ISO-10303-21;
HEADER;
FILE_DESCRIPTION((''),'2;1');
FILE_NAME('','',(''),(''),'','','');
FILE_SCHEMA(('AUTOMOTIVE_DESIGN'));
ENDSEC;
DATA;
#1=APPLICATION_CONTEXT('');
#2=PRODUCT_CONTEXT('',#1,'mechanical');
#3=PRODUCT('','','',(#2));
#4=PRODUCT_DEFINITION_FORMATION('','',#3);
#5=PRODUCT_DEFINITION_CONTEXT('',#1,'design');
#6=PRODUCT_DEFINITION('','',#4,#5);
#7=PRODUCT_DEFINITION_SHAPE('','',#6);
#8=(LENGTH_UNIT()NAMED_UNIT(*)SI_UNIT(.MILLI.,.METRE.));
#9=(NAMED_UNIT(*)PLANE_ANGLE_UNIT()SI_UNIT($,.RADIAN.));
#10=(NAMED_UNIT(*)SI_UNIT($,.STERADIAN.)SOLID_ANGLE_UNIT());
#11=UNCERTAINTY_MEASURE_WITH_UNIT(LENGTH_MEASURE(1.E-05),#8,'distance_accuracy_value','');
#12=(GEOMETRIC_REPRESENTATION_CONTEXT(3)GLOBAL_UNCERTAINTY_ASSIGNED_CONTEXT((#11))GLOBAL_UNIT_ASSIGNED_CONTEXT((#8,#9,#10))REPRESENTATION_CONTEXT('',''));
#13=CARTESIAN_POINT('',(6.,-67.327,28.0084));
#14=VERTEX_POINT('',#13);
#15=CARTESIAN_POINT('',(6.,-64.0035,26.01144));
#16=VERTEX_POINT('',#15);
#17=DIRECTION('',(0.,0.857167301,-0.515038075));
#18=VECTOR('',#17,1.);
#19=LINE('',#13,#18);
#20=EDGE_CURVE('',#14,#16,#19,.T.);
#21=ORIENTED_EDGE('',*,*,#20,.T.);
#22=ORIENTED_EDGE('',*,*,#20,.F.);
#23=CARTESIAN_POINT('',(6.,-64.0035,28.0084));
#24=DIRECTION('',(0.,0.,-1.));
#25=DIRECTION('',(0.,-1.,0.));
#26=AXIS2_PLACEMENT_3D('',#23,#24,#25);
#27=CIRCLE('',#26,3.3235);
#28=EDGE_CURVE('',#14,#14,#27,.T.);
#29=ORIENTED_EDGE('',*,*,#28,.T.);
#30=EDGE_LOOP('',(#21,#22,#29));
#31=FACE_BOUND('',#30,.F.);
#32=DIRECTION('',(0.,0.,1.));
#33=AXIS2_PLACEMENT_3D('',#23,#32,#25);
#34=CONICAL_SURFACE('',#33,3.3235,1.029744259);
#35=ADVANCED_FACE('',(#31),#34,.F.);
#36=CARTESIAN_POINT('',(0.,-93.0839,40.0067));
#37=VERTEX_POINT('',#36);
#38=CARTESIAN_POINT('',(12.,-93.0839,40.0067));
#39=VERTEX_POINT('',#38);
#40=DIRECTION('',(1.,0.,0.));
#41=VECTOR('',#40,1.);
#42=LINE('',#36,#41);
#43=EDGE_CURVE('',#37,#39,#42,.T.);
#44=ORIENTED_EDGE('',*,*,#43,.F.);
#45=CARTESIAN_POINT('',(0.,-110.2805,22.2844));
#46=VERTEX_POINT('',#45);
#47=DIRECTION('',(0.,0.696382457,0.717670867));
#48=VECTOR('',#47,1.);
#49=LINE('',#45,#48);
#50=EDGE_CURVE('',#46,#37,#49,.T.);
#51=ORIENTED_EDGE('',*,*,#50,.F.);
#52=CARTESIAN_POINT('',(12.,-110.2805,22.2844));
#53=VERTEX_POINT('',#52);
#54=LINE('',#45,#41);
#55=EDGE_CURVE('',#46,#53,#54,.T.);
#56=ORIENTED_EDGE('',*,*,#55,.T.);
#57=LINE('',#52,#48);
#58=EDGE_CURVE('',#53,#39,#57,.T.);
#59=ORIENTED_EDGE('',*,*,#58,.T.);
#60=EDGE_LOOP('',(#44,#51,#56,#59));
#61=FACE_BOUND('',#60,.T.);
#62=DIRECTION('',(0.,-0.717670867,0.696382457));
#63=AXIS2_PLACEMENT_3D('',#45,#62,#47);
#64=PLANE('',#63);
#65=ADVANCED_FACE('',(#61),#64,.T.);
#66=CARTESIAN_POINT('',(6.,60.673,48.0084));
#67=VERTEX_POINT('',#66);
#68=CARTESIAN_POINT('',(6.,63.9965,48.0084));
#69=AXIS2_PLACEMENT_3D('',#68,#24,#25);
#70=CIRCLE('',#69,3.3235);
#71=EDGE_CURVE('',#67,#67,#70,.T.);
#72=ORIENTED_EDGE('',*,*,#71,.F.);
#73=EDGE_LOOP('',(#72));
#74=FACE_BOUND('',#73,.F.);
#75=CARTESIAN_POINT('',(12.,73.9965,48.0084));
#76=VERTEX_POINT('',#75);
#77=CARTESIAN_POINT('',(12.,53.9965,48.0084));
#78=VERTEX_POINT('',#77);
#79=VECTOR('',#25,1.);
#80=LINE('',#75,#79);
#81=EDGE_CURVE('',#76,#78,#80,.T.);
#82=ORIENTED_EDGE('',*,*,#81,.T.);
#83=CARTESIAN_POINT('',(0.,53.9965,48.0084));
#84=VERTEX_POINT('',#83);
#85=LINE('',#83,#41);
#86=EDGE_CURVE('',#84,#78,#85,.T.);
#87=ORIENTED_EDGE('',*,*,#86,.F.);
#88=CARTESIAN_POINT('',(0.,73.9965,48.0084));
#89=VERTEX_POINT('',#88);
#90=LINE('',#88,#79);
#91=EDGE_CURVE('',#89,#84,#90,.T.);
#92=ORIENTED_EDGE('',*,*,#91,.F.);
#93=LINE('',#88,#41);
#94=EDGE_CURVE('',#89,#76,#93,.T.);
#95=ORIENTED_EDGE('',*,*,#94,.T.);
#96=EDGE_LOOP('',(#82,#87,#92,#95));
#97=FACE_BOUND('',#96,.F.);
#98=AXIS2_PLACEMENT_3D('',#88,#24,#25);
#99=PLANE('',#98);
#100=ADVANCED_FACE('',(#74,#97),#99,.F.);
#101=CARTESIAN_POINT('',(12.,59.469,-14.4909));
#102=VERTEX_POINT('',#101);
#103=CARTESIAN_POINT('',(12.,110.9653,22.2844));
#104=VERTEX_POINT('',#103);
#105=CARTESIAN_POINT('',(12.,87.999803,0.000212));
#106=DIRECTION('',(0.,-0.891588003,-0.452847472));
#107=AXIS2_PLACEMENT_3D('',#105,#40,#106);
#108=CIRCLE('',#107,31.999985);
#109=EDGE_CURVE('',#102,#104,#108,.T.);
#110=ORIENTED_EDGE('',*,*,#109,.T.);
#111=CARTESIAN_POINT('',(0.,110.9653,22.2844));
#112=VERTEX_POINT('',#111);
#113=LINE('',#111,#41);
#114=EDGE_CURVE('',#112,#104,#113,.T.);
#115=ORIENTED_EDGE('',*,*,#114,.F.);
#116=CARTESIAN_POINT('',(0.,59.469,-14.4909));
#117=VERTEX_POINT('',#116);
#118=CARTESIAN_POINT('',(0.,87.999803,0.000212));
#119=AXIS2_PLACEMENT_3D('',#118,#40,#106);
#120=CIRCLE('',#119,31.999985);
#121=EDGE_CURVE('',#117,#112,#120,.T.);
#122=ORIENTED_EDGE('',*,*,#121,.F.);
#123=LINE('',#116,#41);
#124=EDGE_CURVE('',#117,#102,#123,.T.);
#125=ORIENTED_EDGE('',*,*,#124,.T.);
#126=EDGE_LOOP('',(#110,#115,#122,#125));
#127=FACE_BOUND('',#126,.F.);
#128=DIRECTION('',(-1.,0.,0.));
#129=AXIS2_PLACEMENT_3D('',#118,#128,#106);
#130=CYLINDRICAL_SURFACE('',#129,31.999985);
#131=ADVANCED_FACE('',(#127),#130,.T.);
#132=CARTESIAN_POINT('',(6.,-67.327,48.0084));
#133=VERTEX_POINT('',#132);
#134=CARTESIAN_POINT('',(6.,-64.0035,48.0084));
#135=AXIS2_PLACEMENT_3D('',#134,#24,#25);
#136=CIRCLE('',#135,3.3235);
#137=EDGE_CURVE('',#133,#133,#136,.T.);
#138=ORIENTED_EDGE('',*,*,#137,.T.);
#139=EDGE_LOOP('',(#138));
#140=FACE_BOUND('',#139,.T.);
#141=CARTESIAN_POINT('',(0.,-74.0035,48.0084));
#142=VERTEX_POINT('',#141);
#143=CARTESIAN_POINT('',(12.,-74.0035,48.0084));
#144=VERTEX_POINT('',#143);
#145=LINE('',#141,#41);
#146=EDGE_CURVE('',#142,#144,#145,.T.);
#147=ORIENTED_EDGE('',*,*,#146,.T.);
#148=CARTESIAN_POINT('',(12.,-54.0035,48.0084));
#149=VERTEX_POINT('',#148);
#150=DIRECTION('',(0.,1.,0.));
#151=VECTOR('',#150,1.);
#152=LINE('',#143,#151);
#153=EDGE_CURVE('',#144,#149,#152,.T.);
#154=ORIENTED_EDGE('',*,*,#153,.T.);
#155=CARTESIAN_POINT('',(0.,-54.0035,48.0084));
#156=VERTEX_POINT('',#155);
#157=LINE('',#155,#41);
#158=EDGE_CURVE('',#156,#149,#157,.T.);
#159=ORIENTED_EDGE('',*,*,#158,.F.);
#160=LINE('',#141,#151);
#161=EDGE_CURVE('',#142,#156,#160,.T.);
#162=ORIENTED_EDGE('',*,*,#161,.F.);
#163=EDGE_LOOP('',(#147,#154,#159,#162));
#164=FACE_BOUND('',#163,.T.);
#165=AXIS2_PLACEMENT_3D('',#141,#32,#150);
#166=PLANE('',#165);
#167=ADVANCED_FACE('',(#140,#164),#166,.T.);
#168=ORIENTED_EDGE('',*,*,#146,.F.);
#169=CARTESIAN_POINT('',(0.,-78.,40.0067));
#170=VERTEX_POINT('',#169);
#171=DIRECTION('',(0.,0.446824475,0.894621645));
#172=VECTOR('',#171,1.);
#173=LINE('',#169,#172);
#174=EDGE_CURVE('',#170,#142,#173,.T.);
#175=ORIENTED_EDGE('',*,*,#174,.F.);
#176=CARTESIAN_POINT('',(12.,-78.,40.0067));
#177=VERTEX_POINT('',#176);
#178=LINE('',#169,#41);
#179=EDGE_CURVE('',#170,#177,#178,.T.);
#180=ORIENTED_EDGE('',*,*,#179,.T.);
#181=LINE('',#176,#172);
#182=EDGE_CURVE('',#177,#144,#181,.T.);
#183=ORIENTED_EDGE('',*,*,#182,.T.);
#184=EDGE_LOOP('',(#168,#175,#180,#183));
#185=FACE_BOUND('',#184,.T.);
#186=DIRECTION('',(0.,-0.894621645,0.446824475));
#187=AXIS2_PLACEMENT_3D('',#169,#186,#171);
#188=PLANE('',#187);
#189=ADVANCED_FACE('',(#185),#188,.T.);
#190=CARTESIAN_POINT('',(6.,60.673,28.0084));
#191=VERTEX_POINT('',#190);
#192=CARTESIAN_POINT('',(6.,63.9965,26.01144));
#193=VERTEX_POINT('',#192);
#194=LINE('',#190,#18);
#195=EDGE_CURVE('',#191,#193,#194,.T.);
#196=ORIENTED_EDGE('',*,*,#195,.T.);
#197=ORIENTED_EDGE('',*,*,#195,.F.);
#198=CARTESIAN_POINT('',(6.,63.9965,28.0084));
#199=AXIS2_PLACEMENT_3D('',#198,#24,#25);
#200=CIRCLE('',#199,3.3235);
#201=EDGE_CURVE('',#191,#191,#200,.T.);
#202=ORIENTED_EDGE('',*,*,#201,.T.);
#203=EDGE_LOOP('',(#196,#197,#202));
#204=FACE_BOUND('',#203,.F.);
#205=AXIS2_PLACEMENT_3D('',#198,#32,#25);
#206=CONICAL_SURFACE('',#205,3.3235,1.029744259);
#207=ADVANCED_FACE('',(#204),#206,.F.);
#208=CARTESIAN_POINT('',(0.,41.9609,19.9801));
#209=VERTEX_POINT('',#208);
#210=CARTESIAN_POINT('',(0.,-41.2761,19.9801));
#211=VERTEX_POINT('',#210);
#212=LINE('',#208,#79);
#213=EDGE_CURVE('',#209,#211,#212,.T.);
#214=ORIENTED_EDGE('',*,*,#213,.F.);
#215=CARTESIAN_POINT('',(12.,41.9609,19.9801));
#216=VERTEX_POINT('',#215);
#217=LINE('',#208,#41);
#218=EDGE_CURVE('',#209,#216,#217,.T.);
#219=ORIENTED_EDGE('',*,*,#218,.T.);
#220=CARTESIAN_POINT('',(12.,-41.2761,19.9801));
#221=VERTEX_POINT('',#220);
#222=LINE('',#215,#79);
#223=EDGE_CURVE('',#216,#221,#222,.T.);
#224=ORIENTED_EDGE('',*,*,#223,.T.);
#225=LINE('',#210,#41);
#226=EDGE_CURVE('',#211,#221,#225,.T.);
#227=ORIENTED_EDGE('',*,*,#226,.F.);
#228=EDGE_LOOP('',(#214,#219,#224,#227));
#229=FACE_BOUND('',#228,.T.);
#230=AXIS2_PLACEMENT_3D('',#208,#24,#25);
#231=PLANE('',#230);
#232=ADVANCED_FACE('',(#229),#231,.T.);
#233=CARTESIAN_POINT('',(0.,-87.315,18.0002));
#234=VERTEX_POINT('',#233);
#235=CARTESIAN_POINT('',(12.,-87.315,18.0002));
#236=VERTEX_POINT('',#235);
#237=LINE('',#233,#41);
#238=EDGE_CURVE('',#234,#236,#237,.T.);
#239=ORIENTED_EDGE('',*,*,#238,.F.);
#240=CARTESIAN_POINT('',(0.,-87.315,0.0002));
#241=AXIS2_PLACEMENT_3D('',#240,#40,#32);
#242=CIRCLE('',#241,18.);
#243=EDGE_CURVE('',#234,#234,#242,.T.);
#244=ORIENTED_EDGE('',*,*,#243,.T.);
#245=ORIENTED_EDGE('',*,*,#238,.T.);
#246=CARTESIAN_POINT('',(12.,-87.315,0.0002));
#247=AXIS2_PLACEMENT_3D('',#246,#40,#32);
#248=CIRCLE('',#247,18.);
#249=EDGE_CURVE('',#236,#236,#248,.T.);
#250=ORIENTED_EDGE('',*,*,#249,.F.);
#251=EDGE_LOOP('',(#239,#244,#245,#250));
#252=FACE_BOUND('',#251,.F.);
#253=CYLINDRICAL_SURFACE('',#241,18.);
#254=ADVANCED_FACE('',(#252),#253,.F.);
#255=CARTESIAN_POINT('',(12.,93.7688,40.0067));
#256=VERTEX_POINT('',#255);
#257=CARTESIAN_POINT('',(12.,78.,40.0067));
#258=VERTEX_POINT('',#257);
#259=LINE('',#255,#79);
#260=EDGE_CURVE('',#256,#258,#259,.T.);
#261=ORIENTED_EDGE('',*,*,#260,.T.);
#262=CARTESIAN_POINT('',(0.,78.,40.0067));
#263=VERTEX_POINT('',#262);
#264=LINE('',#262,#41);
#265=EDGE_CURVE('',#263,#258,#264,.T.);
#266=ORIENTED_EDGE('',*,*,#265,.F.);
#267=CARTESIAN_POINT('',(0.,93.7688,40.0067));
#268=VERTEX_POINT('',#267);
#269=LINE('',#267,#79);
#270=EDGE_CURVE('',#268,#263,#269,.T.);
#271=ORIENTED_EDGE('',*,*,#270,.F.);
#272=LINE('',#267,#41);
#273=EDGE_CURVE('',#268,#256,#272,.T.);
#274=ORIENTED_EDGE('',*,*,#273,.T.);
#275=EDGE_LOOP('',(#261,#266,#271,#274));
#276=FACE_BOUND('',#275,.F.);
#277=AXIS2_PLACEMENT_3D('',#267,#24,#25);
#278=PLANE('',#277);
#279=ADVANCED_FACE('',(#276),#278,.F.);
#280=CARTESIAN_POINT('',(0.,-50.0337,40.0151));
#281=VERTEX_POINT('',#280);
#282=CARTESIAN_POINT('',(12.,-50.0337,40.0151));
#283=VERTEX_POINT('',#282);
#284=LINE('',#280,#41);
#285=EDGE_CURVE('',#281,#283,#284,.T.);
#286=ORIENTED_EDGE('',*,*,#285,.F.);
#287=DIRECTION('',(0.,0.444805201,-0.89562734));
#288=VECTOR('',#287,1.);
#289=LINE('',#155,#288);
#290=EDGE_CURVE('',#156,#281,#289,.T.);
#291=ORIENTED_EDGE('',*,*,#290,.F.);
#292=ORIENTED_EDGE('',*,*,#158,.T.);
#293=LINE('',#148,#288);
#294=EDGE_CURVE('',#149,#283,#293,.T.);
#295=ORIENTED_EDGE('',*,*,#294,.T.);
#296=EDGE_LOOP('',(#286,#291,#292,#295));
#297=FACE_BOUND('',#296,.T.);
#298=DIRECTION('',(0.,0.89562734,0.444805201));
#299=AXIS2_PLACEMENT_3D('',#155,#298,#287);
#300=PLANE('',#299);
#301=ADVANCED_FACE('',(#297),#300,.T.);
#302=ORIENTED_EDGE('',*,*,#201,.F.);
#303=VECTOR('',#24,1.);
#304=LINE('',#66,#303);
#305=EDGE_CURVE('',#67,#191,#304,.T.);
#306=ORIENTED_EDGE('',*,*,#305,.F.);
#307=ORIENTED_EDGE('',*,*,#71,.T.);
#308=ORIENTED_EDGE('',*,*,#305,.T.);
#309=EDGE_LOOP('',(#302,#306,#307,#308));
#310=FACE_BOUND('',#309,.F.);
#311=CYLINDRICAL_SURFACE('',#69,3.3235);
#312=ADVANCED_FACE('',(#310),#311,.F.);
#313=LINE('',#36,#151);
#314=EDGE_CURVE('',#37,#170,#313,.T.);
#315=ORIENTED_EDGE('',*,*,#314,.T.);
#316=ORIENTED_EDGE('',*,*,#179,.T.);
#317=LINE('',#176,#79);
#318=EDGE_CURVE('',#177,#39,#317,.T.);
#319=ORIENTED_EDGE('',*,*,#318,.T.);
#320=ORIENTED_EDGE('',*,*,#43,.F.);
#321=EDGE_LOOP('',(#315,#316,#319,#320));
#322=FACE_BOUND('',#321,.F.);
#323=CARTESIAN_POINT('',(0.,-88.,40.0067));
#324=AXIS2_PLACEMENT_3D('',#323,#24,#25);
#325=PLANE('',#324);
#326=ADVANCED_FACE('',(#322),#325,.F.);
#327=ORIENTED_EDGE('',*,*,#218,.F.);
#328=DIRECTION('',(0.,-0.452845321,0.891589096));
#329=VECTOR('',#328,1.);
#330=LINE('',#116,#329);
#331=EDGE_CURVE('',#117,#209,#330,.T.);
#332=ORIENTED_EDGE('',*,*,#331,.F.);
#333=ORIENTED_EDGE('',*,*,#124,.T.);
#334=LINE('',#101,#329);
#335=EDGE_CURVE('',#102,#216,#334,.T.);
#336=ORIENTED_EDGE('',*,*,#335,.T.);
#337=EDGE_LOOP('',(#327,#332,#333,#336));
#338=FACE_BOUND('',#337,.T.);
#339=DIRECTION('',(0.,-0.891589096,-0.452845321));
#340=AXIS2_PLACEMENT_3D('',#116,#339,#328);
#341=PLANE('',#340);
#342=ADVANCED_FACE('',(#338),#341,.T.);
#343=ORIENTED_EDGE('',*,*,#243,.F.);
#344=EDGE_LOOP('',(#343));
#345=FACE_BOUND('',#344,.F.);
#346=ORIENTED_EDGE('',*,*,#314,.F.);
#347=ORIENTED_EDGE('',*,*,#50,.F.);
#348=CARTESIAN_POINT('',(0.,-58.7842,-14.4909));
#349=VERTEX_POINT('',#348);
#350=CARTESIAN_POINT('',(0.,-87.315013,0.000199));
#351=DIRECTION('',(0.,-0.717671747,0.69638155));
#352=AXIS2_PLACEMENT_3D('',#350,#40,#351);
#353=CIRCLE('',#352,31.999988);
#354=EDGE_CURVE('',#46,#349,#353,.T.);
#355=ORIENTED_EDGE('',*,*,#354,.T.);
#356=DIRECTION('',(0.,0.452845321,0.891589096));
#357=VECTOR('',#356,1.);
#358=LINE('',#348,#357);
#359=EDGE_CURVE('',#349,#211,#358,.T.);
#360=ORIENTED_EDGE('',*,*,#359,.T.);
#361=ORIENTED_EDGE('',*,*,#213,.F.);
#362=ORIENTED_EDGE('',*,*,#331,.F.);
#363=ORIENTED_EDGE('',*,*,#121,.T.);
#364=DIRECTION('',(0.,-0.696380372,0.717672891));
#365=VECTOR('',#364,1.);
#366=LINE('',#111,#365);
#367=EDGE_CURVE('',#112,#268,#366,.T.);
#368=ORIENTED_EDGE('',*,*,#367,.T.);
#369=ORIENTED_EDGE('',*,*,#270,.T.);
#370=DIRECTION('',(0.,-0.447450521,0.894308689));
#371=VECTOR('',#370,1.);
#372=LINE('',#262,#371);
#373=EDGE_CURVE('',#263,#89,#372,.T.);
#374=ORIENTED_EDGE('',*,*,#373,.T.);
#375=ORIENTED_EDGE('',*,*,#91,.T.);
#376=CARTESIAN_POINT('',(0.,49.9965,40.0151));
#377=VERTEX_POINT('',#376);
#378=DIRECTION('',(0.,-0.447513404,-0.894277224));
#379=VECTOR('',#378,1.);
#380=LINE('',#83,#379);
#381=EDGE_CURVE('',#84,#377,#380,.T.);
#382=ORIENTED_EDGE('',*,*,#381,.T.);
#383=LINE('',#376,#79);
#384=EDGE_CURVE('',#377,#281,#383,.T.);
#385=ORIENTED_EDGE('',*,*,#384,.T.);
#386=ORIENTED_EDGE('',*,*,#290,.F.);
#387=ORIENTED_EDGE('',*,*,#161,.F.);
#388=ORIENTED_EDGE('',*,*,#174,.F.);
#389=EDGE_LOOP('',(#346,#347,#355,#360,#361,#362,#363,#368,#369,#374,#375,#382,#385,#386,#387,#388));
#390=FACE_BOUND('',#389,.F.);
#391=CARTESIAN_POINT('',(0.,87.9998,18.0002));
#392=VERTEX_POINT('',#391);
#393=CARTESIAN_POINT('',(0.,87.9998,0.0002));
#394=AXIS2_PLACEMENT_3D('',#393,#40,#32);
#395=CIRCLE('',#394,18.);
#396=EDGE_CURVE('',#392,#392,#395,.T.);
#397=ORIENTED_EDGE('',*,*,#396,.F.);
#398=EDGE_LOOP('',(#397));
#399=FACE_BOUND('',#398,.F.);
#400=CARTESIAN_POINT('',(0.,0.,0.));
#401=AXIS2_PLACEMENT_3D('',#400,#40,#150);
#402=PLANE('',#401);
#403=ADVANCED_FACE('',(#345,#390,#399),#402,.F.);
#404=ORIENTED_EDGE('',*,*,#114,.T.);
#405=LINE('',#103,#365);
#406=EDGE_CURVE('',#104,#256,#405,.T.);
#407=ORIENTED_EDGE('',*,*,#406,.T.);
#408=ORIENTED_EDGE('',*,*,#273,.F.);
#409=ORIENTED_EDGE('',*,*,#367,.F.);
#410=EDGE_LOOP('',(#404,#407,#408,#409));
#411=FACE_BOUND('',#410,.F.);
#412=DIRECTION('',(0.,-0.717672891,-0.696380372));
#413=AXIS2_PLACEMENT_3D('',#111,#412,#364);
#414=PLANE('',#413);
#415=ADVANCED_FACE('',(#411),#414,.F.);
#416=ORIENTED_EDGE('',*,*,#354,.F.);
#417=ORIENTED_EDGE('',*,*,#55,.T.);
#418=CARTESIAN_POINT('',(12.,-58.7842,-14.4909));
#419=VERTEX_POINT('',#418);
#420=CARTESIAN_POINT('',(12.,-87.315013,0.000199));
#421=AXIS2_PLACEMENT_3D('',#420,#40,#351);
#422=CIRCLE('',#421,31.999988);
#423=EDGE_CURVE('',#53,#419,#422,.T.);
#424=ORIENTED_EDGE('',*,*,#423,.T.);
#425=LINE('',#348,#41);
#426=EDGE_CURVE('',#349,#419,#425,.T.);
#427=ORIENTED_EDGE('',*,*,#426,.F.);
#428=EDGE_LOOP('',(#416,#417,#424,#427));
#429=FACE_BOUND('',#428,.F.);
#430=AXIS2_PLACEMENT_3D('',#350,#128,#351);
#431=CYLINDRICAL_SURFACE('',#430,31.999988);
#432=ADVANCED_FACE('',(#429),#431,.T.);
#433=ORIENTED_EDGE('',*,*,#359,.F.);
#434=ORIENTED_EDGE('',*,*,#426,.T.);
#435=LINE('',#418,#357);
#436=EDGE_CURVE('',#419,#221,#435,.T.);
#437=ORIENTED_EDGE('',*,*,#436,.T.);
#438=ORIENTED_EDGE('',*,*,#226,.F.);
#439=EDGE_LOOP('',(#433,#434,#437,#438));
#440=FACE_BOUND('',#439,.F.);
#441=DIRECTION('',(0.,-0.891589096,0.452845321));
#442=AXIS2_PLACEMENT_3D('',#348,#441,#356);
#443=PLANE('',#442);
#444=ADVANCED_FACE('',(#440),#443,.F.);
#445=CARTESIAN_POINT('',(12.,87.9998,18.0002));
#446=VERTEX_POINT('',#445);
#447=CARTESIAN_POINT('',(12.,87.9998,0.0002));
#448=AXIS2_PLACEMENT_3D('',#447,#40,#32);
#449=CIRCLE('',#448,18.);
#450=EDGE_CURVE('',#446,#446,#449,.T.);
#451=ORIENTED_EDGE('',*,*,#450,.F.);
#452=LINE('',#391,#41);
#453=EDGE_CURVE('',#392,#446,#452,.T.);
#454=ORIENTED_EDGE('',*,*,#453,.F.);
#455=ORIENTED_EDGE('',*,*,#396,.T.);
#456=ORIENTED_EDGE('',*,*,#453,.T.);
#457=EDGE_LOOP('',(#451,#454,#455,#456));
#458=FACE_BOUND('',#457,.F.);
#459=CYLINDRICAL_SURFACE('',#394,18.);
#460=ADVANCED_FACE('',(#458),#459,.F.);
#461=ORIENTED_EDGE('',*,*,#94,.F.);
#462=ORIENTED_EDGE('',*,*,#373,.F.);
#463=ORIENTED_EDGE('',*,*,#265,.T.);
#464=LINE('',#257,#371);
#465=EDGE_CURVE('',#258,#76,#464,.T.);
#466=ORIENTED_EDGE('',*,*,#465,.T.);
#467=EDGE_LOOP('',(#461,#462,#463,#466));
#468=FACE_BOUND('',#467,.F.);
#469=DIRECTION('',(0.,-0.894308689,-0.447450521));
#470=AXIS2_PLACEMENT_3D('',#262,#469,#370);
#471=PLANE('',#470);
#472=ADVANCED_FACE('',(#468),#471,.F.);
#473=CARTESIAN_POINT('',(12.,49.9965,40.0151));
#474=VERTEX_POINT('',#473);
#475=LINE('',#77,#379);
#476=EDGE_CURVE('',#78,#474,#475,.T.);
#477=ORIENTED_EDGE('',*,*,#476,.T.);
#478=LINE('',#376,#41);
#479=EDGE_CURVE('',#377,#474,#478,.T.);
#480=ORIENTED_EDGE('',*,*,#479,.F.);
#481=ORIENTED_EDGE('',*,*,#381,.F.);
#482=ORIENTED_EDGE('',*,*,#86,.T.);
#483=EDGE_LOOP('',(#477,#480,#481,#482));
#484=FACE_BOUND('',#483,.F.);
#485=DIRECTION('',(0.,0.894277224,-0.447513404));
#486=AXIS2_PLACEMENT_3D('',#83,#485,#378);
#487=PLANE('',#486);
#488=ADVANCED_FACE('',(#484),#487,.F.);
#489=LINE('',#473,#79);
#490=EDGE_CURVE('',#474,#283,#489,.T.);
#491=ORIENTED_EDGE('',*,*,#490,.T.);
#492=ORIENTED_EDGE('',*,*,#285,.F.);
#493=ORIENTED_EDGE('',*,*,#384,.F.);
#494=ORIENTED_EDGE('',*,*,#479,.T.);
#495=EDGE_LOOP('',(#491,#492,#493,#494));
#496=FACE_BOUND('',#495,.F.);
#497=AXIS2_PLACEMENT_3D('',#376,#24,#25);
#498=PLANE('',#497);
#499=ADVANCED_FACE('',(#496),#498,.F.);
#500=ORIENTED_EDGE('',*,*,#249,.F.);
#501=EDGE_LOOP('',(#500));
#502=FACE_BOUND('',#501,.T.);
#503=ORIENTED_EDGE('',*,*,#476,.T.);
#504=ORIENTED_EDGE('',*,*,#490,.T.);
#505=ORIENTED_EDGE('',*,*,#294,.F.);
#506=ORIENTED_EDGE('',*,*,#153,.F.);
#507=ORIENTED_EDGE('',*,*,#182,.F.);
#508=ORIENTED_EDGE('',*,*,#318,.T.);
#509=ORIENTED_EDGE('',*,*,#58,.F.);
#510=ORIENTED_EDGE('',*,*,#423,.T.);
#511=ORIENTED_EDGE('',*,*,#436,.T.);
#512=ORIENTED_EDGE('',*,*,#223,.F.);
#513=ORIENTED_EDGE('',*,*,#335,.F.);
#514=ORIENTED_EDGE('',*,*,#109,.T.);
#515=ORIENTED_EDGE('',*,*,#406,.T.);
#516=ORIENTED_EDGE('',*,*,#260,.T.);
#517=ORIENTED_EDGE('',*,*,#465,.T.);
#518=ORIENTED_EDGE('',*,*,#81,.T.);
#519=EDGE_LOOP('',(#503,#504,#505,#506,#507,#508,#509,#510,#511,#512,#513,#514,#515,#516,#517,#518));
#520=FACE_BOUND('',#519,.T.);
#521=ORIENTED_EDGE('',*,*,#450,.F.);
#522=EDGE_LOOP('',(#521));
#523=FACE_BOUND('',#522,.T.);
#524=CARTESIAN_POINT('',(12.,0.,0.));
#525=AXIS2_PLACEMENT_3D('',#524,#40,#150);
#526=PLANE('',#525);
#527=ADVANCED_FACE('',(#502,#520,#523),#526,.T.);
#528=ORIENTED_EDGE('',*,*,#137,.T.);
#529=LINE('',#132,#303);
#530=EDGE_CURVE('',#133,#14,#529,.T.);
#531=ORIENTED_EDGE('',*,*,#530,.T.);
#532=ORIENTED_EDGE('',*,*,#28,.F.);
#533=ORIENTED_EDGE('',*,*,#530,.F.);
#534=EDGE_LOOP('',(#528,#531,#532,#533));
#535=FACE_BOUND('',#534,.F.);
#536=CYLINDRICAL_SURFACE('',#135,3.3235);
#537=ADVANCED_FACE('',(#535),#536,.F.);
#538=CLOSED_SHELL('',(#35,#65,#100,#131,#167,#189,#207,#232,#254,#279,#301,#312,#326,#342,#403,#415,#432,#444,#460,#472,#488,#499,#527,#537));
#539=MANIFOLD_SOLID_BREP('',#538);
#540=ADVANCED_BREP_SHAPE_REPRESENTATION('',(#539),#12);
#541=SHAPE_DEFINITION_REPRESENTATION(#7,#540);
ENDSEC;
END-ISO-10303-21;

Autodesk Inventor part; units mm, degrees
ref_plane "YZ Plane" through (0, 0, 0) normal (1, 0, 0) x (0, 1, 0)
ref_plane "XZ Plane" through (0, 0, 0) normal (0, 1, 0) x (-1, 0, 0)
sketch "Sketch1" plane through (0, 0, 0) normal (1, 0, 0) x (0, 1, 0)
  arc A0 (59.469, -14.4909) -> (110.9653, 22.2844) centre (87.9998, 0.0002) ccw
  line L0 (110.9653, 22.2844) -> (93.7688, 40.0067)
  line L1 (0.3424, 140.3326) -> (0.3424, -179.6674) construction
  arc A1 (-110.2805, 22.2844) -> (-58.7842, -14.4909) centre (-87.315, 0.0002) ccw
  line L2 (-110.2805, 22.2844) -> (-93.0839, 40.0067)
  line L3 (-88, 40.0067) -> (-88.0045, 40)
  line L4 (57.9955, 40) -> (58, 40.0067)
  line L5 (49.9965, 40.0151) -> (-50.0337, 40.0151)
  line L6 (59.469, -14.4909) -> (41.9609, 19.9801)
  line L7 (-58.7842, -14.4909) -> (-41.2761, 19.9801)
  line L8 (41.9609, 19.9801) -> (-41.2761, 19.9801)
  line L9 (78, 40.0067) -> (73.9965, 48.0084)
  line L10 (73.9965, 48.0084) -> (53.9965, 48.0084)
  line L11 (53.9965, 48.0084) -> (49.9965, 40.0151)
  line L12 (-78, 40.0067) -> (-74.0035, 48.0084)
  line L13 (-74.0035, 48.0084) -> (-54.0035, 48.0084)
  line L14 (-54.0035, 48.0084) -> (-50.0337, 40.0151)
  line L15 (93.7688, 40.0067) -> (78, 40.0067)
  line L16 (-78, 40.0067) -> (-93.0839, 40.0067)
  point P0 (0, 0)
  point P1 (83, 40)
  point P2 (63.9965, 48.0084)
  point P3 (-64.0035, 48.0084)
extrude "Extrusion2" add sketch "Sketch1" along normal blind 12
hole "Hole4" at (0, -87.315, 0.0002) at (0, 87.9998, 0.0002) direction (1, 0, 0) diameter 36 end through all
ref_plane "Work Plane2" through (0, -64.0035, 48.0084) normal (0, 0, 1) x (1, 0, 0)
sketch "Sketch3" plane through (0, -74.0035, 48.0084) normal (0, 0, 1) x (1, 0, 0)
  point P0 (0, 74.0035)
  point P1 (6, 10)
  point P2 (6, 138)
hole "Hole5" at (6, -64.0035, 48.0084) at (6, 63.9965, 48.0084) direction (0, 0, -1) diameter 6.647 depth 20 tip angle 118 thread size "M8x1.25" class "6H" standard "ISO Metric profile"
properties part number "PlateConnector"
